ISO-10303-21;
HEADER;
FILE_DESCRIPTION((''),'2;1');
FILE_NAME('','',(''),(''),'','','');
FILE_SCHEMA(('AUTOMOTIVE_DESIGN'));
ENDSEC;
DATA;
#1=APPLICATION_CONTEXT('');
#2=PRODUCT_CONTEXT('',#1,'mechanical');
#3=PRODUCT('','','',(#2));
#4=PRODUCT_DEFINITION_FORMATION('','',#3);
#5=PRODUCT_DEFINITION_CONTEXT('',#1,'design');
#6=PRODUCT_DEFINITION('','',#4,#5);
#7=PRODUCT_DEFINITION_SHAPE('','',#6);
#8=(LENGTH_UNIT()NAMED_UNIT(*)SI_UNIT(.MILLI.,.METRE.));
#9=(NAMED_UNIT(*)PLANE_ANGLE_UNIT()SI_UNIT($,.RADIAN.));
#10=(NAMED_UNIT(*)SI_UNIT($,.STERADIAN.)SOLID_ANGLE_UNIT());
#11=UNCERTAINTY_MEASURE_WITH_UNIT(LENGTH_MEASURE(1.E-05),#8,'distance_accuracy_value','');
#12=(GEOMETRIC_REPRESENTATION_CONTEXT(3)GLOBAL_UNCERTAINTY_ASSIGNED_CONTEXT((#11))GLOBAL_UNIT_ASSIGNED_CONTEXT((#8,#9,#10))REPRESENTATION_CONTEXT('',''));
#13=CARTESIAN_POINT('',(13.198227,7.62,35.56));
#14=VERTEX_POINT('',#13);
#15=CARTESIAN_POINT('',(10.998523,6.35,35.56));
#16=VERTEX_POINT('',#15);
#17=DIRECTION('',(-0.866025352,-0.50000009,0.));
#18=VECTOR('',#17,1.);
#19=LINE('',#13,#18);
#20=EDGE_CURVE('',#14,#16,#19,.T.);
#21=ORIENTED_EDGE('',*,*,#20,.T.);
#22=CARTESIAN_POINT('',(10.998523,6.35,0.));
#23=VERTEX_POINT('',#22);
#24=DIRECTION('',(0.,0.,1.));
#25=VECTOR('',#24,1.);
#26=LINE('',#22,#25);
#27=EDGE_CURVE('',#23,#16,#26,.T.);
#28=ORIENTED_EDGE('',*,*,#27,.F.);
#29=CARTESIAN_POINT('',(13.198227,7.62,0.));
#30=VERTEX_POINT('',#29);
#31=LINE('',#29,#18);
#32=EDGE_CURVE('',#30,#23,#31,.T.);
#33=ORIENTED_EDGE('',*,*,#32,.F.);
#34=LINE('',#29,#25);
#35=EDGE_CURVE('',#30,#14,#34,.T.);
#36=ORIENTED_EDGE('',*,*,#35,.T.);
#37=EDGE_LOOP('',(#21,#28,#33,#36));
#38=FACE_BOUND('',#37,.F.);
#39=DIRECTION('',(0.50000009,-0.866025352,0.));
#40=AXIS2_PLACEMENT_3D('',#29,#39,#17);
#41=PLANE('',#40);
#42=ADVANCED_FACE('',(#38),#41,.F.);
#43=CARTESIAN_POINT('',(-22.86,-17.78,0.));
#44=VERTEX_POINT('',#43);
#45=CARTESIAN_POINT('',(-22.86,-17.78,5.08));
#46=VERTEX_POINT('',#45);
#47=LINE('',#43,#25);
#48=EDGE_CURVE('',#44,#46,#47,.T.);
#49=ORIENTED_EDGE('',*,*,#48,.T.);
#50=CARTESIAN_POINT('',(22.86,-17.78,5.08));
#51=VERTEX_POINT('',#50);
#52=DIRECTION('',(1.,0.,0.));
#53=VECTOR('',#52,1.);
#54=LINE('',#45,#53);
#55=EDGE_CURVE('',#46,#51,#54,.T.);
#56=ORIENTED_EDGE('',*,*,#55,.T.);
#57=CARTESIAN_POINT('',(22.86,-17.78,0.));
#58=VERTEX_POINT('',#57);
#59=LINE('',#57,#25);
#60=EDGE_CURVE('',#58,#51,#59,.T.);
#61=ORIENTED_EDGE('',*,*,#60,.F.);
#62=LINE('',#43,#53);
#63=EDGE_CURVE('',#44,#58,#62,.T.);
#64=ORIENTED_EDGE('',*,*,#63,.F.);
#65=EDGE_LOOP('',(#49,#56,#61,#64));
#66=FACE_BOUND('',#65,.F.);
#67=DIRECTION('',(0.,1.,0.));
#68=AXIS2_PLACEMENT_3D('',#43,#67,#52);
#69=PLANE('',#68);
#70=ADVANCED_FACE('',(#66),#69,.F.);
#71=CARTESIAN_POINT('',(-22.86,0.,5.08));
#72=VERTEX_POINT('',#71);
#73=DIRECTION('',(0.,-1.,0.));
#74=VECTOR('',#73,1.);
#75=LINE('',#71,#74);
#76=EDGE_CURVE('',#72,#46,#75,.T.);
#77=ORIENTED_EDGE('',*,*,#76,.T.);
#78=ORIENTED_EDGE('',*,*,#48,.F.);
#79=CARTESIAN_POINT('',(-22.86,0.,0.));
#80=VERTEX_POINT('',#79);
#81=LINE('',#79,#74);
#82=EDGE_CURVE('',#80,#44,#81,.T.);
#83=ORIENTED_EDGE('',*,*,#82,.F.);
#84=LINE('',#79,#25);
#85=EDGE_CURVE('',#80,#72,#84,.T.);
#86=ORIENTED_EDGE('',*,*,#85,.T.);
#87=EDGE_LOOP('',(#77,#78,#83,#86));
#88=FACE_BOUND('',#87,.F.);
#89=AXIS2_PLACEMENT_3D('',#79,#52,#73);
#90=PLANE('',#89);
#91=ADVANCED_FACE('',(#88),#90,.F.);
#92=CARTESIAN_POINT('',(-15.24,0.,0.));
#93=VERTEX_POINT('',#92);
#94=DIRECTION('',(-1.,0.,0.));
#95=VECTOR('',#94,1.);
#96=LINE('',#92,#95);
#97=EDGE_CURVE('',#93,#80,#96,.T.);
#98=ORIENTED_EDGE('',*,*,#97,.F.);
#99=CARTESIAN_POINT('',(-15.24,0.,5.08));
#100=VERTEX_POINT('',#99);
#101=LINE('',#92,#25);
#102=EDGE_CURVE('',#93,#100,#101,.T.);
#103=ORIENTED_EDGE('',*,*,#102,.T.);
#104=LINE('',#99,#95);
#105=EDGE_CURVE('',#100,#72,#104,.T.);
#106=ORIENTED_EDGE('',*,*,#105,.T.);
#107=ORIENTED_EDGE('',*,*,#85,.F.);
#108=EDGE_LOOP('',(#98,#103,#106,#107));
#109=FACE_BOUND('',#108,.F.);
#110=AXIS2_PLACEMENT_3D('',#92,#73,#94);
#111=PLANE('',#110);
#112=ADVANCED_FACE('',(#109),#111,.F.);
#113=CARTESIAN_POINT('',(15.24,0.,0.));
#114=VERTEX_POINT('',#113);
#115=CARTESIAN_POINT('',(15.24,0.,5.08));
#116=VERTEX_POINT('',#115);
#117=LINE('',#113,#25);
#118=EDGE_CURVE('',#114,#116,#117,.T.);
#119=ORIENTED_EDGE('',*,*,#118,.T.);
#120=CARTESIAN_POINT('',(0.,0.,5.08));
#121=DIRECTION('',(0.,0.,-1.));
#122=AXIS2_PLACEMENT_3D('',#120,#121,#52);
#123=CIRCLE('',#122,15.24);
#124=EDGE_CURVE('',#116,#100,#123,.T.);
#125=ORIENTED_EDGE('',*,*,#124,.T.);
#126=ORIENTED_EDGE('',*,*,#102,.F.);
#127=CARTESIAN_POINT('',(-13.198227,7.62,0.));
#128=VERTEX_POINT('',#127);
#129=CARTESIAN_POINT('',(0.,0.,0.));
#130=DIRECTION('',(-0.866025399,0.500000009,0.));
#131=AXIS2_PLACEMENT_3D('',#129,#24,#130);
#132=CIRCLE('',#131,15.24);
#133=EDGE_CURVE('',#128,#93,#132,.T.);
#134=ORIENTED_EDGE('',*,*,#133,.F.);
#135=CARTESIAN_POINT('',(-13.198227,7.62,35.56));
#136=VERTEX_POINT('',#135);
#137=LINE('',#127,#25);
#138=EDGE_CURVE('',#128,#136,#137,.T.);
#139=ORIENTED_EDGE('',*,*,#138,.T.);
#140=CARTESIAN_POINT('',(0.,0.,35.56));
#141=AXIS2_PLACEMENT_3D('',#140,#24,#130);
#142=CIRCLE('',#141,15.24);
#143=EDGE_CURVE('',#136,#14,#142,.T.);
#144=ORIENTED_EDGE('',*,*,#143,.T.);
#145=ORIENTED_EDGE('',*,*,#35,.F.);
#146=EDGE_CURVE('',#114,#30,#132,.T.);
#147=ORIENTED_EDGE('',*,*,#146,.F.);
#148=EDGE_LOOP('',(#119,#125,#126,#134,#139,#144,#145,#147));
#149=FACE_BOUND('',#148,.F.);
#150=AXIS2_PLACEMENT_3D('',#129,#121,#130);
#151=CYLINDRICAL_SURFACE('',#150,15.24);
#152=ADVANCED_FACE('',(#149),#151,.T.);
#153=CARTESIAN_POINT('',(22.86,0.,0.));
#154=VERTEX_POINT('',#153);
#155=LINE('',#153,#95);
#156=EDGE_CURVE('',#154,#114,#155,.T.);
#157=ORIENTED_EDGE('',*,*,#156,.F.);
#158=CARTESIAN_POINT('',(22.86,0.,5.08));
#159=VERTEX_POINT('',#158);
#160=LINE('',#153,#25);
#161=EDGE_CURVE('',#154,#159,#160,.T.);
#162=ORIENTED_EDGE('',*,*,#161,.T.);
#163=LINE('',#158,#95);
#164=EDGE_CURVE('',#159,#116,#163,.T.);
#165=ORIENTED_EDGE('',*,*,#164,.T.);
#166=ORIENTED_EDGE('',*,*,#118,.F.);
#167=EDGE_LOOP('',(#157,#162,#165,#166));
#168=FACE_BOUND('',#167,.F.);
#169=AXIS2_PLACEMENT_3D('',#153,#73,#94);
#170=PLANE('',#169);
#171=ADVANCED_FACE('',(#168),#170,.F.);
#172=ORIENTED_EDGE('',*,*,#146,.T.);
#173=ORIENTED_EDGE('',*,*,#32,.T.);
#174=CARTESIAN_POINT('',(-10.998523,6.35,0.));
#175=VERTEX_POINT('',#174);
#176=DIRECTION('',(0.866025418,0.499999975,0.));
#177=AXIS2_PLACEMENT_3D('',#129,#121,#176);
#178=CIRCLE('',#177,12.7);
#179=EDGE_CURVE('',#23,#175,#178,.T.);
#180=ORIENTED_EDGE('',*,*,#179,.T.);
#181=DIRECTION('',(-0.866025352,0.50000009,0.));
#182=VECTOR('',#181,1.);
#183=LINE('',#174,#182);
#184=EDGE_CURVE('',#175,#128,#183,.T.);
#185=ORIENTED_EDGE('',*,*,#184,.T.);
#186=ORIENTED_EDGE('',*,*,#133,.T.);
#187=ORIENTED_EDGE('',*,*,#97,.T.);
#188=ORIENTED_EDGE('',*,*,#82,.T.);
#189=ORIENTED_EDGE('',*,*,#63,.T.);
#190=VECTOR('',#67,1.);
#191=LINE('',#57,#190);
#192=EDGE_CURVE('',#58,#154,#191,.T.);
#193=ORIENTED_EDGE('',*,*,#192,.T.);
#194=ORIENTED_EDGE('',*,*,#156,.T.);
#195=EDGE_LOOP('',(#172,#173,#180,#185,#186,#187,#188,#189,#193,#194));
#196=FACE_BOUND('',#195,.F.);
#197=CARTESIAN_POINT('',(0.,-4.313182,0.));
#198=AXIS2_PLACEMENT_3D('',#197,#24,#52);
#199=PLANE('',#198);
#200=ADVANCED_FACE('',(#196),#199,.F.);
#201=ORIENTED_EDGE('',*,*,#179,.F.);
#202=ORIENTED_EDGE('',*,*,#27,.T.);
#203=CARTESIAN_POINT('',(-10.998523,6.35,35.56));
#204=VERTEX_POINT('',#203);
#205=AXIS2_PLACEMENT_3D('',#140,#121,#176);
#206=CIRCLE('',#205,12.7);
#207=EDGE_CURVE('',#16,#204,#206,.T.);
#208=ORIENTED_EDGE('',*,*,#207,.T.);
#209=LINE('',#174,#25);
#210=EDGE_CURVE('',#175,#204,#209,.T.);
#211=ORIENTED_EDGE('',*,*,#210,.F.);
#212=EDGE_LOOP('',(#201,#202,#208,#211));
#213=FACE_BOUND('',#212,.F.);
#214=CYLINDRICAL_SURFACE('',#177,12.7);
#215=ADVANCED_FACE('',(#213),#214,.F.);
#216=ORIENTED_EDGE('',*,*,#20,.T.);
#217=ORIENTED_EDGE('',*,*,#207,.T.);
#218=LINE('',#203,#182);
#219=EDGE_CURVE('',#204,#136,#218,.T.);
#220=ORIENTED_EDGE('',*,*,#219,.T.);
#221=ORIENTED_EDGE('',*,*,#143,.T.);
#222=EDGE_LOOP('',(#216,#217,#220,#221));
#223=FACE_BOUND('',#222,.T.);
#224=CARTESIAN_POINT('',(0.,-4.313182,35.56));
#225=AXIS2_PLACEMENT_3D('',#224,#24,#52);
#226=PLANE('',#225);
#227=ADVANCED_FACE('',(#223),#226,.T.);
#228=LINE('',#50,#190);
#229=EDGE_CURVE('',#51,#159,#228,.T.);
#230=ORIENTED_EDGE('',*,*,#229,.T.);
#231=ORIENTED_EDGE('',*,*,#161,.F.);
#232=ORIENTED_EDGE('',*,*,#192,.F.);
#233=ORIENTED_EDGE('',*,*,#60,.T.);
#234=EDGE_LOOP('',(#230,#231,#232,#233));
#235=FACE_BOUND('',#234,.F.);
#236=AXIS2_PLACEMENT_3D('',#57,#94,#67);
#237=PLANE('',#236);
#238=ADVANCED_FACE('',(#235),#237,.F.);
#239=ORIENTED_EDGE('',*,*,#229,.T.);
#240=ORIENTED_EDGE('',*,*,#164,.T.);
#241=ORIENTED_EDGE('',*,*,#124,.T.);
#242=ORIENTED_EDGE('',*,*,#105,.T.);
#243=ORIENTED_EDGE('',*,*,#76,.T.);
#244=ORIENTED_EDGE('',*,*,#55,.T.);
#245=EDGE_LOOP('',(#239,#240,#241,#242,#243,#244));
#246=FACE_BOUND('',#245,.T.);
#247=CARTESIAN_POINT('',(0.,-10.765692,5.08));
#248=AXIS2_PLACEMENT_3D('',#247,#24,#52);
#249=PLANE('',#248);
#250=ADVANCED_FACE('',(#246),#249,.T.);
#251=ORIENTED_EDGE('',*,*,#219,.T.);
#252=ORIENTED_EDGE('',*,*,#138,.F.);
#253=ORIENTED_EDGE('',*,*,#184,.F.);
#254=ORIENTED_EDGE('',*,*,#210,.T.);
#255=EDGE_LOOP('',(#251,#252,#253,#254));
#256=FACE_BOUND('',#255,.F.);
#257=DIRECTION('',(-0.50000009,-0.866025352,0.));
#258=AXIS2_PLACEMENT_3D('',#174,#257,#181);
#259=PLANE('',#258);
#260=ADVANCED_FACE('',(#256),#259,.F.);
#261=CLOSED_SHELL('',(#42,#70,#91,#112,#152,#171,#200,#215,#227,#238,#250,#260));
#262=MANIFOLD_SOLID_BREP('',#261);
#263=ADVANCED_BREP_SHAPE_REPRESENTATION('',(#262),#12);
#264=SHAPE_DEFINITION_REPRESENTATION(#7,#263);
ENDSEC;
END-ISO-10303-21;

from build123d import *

# Parameters (mm, degrees)
F1_DEPTH = 35.56
F3_DEPTH = 5.08


with BuildPart() as f1:
    # F0 (on Top) → F1 (new body)
    with BuildSketch(Plane.XY):
        with BuildLine():
            ThreePointArc((10.998523, 6.35), (0, -12.7), (-10.998523, 6.35))
            Line((-10.998523, 6.35), (-13.198227, 7.62))
            ThreePointArc((-13.198227, 7.62), (0, -15.24), (13.198227, 7.62))
            Line((13.198227, 7.62), (10.998523, 6.35))
        make_face()
    extrude(amount=F1_DEPTH)

    # F2 (on Top) → F3 (join)
    with BuildSketch(Plane.XY):
        with BuildLine():
            Line((22.86, 0), (15.24, 0))
            ThreePointArc((15.24, 0), (0, -15.24), (-15.24, 0))
            Line((-15.24, 0), (-22.86, 0))
            Line((-22.86, 0), (-22.86, -17.78))
            Line((-22.86, -17.78), (0, -17.78))
            Line((0, -17.78), (22.86, -17.78))
            Line((22.86, -17.78), (22.86, 0))
        make_face()
    extrude(amount=F3_DEPTH)


solid = f1.part
